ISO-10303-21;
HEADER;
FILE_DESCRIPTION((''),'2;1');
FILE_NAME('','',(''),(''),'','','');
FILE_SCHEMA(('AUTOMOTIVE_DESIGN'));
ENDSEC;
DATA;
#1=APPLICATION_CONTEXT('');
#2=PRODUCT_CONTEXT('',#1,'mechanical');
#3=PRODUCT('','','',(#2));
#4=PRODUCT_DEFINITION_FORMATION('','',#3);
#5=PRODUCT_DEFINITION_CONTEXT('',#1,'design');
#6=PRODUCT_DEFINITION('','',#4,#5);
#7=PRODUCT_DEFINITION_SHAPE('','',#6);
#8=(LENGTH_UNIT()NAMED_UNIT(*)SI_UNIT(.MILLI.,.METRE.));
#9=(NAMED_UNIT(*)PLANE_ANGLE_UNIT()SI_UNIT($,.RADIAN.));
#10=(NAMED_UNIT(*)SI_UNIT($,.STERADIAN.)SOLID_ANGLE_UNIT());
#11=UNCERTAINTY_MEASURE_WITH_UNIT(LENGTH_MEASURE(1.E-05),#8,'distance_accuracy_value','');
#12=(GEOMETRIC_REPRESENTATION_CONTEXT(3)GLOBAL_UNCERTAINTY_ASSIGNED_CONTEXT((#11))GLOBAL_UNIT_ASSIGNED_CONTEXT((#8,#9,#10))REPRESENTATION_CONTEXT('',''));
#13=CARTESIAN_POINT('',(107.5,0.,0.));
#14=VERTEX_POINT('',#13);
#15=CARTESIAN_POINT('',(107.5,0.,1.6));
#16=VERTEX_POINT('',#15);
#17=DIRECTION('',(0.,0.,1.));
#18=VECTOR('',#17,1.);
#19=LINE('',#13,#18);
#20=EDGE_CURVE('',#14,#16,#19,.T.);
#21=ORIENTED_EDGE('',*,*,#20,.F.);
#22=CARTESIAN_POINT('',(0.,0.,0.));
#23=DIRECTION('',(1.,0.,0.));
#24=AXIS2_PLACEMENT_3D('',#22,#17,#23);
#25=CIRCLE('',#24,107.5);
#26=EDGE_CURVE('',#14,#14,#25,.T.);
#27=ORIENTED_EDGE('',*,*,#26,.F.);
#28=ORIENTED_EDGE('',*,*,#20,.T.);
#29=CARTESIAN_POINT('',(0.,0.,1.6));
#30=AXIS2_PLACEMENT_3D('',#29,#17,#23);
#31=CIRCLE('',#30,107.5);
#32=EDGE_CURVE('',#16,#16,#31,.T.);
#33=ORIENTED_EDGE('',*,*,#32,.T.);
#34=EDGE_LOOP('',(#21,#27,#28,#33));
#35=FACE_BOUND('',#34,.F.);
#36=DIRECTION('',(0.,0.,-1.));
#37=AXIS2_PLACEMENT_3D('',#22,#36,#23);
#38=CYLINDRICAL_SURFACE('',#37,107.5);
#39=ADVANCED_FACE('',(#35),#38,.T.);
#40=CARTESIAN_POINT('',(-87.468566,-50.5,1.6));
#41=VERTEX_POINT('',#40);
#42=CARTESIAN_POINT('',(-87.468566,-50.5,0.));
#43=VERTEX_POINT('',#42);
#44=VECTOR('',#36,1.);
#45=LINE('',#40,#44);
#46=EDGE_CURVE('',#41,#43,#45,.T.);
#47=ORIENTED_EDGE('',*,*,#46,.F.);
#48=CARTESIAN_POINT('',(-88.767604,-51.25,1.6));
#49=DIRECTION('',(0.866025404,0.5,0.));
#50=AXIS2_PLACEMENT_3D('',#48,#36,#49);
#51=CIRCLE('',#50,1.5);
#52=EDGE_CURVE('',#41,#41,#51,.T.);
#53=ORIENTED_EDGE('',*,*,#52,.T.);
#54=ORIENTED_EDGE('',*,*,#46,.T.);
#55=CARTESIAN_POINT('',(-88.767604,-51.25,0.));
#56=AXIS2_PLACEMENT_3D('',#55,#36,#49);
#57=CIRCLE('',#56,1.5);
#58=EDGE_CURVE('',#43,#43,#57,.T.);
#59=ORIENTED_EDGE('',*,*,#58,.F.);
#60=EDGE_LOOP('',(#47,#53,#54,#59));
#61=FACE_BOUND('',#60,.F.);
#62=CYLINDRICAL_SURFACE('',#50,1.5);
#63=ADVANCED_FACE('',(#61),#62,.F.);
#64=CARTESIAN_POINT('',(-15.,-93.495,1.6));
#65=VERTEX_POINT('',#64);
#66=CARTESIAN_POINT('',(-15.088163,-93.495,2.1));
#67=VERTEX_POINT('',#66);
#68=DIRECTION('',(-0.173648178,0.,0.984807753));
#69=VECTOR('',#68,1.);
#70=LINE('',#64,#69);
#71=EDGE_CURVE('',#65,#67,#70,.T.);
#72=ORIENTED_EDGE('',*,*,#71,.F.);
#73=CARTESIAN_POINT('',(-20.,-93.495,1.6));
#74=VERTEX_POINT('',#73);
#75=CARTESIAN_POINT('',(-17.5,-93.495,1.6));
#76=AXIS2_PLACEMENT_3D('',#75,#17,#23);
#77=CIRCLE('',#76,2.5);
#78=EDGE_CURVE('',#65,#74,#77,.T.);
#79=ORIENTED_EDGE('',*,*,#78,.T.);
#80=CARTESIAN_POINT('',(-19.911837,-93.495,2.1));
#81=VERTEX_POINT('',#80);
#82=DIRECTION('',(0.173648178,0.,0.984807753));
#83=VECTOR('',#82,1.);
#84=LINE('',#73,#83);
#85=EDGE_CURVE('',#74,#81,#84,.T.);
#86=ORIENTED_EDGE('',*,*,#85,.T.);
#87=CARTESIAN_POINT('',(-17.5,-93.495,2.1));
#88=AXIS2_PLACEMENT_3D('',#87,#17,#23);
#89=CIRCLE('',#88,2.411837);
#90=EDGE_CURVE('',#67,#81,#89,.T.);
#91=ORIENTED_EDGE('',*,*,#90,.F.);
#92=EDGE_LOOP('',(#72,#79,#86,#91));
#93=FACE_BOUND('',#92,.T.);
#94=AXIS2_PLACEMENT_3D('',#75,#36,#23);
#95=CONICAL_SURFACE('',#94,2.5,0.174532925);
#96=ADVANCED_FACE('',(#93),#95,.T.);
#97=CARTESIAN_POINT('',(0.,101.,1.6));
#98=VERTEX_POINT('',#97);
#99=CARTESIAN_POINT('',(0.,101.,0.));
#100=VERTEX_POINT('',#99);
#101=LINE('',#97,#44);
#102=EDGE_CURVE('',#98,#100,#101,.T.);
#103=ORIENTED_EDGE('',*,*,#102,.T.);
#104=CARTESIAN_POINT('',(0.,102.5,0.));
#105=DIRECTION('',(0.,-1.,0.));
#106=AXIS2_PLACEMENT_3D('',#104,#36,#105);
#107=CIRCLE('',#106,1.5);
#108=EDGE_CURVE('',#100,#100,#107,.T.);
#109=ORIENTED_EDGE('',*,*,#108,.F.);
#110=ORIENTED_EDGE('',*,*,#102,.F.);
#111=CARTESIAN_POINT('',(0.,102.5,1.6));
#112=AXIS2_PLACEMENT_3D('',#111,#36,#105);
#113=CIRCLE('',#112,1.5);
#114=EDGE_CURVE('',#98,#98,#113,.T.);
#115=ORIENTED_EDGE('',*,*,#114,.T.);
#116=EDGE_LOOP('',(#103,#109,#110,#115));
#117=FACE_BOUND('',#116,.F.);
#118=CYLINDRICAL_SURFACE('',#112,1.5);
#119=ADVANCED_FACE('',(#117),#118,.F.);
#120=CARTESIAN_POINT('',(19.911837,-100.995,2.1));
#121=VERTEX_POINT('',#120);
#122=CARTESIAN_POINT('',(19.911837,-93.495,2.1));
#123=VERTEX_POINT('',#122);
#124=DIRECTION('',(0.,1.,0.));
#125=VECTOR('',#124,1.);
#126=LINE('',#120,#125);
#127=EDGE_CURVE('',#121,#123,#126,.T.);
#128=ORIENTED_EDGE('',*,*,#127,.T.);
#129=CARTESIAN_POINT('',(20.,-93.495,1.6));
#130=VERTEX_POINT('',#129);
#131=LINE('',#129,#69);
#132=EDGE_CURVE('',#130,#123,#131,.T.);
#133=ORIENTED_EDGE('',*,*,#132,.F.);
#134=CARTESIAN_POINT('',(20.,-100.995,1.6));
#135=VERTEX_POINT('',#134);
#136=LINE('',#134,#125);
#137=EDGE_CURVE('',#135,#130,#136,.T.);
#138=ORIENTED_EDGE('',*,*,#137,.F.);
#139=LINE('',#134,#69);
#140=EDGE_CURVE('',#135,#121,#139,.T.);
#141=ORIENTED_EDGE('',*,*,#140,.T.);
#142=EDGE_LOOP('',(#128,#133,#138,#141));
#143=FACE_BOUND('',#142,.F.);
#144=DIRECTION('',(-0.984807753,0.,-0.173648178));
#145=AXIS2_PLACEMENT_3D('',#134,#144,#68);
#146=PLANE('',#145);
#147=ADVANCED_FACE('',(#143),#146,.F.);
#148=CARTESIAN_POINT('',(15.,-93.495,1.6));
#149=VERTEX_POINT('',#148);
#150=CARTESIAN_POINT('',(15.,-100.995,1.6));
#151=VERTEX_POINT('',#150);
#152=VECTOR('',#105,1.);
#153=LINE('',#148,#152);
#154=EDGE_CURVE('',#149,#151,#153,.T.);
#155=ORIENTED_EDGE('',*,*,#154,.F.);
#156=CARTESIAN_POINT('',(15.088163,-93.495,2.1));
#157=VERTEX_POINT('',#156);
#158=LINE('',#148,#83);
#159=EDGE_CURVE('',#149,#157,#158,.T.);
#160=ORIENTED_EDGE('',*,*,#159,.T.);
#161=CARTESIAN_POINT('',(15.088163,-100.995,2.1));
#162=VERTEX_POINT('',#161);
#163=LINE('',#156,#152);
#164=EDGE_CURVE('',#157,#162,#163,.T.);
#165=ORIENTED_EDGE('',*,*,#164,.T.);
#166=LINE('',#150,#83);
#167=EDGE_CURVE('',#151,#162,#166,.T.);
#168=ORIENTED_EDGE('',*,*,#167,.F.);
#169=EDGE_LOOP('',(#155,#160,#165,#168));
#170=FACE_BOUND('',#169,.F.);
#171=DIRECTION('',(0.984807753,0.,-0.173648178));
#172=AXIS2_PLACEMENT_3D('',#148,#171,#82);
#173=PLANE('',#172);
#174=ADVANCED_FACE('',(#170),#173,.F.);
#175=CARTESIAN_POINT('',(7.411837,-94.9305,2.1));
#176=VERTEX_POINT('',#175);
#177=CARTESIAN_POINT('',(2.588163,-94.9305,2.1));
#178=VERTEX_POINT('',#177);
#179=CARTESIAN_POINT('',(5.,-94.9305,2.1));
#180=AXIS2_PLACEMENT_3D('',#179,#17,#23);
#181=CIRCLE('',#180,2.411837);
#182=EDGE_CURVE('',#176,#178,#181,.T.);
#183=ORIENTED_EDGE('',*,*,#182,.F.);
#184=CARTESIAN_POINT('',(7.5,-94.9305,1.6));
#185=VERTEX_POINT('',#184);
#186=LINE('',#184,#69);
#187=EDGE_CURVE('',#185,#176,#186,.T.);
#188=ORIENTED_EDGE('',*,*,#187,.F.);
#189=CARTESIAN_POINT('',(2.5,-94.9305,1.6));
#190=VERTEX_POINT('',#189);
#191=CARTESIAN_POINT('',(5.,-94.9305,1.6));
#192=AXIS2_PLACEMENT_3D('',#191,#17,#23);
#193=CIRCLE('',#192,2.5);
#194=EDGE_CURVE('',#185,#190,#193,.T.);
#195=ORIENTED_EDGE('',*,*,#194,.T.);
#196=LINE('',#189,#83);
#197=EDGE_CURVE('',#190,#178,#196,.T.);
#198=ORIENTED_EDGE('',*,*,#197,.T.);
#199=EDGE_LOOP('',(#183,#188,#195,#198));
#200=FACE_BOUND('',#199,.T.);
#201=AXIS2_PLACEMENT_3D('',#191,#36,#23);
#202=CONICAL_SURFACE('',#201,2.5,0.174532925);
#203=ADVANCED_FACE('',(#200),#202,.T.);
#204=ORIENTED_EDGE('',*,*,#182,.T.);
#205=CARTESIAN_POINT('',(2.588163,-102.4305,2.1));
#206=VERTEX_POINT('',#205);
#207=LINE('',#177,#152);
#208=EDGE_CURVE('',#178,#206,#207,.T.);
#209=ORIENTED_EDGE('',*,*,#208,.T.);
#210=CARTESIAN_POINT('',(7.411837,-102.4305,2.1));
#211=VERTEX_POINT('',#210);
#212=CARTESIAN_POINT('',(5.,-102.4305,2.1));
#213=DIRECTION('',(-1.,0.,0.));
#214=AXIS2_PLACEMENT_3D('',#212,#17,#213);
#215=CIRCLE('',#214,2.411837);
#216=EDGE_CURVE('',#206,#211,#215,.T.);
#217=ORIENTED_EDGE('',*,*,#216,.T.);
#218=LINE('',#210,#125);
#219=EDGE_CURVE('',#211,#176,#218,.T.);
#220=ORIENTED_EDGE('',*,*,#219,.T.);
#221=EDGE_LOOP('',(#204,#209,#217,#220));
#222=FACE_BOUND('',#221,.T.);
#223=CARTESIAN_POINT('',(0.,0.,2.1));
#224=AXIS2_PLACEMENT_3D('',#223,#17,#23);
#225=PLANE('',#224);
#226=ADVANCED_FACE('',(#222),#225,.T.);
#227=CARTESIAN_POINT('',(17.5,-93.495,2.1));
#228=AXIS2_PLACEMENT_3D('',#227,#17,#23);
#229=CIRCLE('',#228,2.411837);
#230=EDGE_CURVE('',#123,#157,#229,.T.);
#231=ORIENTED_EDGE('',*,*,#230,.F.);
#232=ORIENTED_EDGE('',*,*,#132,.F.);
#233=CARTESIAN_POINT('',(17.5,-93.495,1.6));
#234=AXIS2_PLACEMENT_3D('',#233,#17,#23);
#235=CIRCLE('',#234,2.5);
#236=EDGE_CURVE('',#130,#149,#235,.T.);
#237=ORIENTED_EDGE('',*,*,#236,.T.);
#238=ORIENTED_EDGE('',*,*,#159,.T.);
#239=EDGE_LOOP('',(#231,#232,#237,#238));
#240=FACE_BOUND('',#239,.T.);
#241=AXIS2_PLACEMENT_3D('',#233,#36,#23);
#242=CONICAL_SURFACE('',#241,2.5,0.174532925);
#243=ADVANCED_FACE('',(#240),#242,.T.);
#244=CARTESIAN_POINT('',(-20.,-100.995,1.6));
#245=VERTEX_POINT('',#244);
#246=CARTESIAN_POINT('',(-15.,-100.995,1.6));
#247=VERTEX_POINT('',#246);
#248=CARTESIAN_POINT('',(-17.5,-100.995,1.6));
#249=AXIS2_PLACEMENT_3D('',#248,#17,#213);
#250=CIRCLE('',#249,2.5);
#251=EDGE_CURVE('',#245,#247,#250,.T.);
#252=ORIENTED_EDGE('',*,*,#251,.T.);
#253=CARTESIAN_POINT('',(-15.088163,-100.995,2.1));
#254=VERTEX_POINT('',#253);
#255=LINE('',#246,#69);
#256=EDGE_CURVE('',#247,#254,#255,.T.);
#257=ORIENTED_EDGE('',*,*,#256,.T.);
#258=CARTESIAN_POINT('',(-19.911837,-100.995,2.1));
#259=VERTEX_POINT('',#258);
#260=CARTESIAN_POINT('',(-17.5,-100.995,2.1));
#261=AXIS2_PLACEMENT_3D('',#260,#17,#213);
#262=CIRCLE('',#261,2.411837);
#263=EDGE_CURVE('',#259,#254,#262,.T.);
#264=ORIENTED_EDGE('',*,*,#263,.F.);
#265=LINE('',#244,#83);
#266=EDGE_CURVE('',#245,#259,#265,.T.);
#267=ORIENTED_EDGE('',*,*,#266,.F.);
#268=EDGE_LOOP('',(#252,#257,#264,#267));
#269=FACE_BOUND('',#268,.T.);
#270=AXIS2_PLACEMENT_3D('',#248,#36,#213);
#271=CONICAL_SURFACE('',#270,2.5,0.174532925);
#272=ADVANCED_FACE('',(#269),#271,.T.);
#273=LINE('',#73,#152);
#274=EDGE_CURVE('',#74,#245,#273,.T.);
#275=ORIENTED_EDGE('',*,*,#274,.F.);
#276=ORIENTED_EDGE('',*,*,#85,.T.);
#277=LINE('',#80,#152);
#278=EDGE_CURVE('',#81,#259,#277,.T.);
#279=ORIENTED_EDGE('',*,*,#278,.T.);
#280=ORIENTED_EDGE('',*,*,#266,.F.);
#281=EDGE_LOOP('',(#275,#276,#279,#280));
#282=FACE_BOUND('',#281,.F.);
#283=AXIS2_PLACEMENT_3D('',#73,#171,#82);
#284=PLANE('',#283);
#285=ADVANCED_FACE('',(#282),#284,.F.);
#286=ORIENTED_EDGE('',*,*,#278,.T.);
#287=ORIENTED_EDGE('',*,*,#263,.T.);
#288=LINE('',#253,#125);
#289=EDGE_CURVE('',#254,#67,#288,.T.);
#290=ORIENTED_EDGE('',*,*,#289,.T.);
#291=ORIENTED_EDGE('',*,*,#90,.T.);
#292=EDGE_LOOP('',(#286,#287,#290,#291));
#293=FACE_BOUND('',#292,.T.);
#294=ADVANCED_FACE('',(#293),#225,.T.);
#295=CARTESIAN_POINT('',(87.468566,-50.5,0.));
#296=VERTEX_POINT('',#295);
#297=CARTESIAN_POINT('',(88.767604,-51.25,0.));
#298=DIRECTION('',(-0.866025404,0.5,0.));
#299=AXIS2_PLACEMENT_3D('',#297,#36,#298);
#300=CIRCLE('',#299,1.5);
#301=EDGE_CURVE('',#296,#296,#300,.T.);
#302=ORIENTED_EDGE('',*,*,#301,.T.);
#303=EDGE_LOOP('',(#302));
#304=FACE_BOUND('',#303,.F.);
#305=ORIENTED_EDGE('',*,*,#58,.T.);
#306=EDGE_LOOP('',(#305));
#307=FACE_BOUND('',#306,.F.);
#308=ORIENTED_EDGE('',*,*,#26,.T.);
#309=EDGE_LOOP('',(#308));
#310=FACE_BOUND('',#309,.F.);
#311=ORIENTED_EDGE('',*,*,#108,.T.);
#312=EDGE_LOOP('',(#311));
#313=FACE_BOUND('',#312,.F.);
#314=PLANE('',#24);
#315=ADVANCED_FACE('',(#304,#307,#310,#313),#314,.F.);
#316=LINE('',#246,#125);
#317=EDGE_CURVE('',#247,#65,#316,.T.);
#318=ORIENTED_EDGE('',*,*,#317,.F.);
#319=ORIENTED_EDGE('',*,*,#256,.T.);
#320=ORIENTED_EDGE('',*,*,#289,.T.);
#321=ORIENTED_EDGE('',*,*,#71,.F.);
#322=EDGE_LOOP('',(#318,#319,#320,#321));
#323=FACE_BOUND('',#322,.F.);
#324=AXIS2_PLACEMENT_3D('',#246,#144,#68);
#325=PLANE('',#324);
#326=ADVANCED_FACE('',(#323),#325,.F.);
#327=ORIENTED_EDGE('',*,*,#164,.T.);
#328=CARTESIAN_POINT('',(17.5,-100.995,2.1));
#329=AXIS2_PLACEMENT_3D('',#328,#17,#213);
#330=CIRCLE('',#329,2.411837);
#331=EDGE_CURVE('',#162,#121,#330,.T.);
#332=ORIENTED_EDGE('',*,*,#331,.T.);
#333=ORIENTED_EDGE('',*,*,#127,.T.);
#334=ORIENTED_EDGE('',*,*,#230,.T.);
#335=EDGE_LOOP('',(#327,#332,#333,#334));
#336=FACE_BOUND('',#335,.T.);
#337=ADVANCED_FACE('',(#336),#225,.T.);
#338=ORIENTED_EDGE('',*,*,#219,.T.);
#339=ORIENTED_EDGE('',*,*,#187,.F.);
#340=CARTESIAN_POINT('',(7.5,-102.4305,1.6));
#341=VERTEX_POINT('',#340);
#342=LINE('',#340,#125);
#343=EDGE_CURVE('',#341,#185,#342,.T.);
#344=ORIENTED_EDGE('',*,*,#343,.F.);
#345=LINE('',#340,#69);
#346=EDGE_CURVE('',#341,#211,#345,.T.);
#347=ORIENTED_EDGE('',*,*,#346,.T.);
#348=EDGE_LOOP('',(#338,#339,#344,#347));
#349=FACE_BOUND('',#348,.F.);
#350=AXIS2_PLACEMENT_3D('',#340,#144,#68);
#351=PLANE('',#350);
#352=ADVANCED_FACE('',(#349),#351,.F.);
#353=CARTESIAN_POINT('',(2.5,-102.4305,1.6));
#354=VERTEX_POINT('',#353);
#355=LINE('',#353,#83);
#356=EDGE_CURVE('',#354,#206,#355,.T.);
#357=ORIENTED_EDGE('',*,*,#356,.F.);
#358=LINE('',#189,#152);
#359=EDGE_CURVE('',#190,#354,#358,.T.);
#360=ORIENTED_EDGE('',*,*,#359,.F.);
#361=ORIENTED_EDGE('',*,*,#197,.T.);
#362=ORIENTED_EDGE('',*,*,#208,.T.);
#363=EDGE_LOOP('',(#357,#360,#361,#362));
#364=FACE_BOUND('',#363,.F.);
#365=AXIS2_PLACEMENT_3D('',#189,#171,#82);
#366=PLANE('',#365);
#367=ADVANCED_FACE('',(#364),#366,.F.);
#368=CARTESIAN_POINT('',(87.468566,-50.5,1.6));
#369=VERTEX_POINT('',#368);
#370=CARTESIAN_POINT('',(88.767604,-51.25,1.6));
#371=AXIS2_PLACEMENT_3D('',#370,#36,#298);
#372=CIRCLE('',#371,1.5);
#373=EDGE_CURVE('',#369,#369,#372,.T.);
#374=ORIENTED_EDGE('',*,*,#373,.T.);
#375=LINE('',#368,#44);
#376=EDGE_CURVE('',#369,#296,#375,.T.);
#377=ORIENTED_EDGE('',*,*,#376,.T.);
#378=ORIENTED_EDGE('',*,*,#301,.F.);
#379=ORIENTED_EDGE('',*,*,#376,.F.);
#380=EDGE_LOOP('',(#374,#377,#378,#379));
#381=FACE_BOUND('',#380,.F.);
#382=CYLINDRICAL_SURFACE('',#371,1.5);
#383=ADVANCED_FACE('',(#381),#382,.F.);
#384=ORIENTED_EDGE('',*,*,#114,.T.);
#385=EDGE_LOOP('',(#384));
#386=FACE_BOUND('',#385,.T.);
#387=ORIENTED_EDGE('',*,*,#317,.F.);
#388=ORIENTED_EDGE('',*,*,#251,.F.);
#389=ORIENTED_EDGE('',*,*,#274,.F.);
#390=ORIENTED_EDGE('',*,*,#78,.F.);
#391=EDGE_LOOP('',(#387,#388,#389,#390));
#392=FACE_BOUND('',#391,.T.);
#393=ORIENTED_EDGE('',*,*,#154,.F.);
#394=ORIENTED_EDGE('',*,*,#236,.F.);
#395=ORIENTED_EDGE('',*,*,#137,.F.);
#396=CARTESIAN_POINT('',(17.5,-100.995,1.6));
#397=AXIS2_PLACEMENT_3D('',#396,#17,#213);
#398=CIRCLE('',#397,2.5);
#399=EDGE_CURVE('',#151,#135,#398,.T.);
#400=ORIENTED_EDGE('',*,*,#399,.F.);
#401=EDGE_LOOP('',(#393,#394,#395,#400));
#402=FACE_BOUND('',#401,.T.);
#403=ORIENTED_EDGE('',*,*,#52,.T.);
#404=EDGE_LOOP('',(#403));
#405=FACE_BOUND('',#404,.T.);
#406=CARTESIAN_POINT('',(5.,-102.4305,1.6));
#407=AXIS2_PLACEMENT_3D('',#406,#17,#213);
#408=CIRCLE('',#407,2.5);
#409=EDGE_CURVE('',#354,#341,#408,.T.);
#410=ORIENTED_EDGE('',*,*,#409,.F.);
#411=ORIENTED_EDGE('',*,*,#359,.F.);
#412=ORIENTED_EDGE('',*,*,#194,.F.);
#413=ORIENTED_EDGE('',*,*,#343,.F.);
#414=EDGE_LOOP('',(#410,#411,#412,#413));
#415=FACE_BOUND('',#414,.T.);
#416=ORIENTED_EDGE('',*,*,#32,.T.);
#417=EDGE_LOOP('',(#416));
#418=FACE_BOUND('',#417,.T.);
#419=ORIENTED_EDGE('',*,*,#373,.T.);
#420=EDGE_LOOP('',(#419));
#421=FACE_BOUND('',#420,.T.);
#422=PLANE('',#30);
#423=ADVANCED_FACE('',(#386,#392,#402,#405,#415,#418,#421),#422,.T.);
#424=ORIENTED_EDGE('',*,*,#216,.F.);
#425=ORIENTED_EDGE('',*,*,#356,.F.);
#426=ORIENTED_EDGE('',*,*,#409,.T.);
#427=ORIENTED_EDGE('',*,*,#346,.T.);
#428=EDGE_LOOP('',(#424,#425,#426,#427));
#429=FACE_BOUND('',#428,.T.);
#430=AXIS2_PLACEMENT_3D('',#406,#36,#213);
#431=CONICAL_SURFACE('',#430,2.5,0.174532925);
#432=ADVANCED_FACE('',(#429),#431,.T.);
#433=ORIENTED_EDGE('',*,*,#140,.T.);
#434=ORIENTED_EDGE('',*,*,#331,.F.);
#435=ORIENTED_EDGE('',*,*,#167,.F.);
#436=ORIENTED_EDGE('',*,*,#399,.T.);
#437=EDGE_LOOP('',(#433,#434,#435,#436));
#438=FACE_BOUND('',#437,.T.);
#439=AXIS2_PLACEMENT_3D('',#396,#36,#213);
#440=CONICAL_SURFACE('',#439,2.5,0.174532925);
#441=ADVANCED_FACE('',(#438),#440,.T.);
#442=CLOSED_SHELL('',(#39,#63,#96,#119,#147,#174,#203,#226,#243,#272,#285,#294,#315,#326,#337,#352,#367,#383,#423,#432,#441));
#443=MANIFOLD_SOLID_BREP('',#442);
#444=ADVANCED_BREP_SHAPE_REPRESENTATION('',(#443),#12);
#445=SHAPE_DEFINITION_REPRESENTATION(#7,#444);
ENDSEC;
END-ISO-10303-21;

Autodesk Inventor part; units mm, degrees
ref_plane "YZ Plane" through (0, 0, 0) normal (1, 0, 0) x (0, 1, 0)
ref_plane "XZ Plane" through (0, 0, 0) normal (0, 1, 0) x (-1, 0, 0)
ref_plane "XY Plane" through (0, 0, 0) normal (0, 0, 1) x (1, 0, 0)
sketch "Sketch1" plane through (0, 0, 0) normal (0, 0, 1) x (1, 0, 0)
  circle A0 centre (0, 0) radius 107.5
  dimension "d0" = 215
extrude "Extrusion1" add sketch "Sketch1" along normal blind 1.6
sketch "Sketch2" plane through (0, 0, 1.6) normal (0, 0, 1) x (1, 0, 0)
  circle A0 centre (0, 0) radius 107.5 projected
  line L0 (0, 102.5) -> (0, 0) construction
  dimension "d3" = 102.5
hole "Hole1" at (0, 102.5, 1.6) direction (0, 0, -1) diameter 3 end through all
pattern_circular "Circular Pattern1" count 3 over 360 about axis through (0, 0, 0) along (0, 0, 1) of "Hole1"
sketch "Sketch3" plane through (0, 0, 1.6) normal (0, 0, 1) x (1, 0, 0)
  circle A0 centre (0, 0) radius 107.5 projected
  line L0 (-17.5, -93.495) -> (-17.5, -100.995) construction
  line L1 (-20, -93.495) -> (-20, -100.995)
  line L2 (-15, -100.995) -> (-15, -93.495)
  arc A1 (-15, -93.495) -> (-20, -93.495) centre (-17.5, -93.495) ccw
  arc A2 (-20, -100.995) -> (-15, -100.995) centre (-17.5, -100.995) ccw
  line L3 (5, -94.9305) -> (5, -102.4305) construction
  line L4 (2.5, -94.9305) -> (2.5, -102.4305)
  line L5 (7.5, -102.4305) -> (7.5, -94.9305)
  arc A3 (7.5, -94.9305) -> (2.5, -94.9305) centre (5, -94.9305) ccw
  arc A4 (2.5, -102.4305) -> (7.5, -102.4305) centre (5, -102.4305) ccw
  line L6 (17.5, -93.495) -> (17.5, -100.995) construction
  line L7 (15, -93.495) -> (15, -100.995)
  line L8 (20, -100.995) -> (20, -93.495)
  arc A5 (20, -93.495) -> (15, -93.495) centre (17.5, -93.495) ccw
  arc A6 (15, -100.995) -> (20, -100.995) centre (17.5, -100.995) ccw
  arc A7 (-17.5, -97.245) -> (17.5, -97.245) centre (0, 0) ccw construction
  line L9 (-17.5, -97.245) -> (17.5, -97.245) construction
  point P0 (5, -98.6805)
  dimension "d14" = 7.5
  dimension "d15" = 2.5
  dimension "d16" = 35
  dimension "d17" = 2.5
  dimension "d18" = 12.5
extrude "Extrusion2" add sketch "Sketch3" along normal blind 0.5 draft -10 contours A1 L2 A2 L1 | A3 L5 A4 L4 | A5 L8 A6 L7
properties part number "Heatbed_Geeetech_215mm"
